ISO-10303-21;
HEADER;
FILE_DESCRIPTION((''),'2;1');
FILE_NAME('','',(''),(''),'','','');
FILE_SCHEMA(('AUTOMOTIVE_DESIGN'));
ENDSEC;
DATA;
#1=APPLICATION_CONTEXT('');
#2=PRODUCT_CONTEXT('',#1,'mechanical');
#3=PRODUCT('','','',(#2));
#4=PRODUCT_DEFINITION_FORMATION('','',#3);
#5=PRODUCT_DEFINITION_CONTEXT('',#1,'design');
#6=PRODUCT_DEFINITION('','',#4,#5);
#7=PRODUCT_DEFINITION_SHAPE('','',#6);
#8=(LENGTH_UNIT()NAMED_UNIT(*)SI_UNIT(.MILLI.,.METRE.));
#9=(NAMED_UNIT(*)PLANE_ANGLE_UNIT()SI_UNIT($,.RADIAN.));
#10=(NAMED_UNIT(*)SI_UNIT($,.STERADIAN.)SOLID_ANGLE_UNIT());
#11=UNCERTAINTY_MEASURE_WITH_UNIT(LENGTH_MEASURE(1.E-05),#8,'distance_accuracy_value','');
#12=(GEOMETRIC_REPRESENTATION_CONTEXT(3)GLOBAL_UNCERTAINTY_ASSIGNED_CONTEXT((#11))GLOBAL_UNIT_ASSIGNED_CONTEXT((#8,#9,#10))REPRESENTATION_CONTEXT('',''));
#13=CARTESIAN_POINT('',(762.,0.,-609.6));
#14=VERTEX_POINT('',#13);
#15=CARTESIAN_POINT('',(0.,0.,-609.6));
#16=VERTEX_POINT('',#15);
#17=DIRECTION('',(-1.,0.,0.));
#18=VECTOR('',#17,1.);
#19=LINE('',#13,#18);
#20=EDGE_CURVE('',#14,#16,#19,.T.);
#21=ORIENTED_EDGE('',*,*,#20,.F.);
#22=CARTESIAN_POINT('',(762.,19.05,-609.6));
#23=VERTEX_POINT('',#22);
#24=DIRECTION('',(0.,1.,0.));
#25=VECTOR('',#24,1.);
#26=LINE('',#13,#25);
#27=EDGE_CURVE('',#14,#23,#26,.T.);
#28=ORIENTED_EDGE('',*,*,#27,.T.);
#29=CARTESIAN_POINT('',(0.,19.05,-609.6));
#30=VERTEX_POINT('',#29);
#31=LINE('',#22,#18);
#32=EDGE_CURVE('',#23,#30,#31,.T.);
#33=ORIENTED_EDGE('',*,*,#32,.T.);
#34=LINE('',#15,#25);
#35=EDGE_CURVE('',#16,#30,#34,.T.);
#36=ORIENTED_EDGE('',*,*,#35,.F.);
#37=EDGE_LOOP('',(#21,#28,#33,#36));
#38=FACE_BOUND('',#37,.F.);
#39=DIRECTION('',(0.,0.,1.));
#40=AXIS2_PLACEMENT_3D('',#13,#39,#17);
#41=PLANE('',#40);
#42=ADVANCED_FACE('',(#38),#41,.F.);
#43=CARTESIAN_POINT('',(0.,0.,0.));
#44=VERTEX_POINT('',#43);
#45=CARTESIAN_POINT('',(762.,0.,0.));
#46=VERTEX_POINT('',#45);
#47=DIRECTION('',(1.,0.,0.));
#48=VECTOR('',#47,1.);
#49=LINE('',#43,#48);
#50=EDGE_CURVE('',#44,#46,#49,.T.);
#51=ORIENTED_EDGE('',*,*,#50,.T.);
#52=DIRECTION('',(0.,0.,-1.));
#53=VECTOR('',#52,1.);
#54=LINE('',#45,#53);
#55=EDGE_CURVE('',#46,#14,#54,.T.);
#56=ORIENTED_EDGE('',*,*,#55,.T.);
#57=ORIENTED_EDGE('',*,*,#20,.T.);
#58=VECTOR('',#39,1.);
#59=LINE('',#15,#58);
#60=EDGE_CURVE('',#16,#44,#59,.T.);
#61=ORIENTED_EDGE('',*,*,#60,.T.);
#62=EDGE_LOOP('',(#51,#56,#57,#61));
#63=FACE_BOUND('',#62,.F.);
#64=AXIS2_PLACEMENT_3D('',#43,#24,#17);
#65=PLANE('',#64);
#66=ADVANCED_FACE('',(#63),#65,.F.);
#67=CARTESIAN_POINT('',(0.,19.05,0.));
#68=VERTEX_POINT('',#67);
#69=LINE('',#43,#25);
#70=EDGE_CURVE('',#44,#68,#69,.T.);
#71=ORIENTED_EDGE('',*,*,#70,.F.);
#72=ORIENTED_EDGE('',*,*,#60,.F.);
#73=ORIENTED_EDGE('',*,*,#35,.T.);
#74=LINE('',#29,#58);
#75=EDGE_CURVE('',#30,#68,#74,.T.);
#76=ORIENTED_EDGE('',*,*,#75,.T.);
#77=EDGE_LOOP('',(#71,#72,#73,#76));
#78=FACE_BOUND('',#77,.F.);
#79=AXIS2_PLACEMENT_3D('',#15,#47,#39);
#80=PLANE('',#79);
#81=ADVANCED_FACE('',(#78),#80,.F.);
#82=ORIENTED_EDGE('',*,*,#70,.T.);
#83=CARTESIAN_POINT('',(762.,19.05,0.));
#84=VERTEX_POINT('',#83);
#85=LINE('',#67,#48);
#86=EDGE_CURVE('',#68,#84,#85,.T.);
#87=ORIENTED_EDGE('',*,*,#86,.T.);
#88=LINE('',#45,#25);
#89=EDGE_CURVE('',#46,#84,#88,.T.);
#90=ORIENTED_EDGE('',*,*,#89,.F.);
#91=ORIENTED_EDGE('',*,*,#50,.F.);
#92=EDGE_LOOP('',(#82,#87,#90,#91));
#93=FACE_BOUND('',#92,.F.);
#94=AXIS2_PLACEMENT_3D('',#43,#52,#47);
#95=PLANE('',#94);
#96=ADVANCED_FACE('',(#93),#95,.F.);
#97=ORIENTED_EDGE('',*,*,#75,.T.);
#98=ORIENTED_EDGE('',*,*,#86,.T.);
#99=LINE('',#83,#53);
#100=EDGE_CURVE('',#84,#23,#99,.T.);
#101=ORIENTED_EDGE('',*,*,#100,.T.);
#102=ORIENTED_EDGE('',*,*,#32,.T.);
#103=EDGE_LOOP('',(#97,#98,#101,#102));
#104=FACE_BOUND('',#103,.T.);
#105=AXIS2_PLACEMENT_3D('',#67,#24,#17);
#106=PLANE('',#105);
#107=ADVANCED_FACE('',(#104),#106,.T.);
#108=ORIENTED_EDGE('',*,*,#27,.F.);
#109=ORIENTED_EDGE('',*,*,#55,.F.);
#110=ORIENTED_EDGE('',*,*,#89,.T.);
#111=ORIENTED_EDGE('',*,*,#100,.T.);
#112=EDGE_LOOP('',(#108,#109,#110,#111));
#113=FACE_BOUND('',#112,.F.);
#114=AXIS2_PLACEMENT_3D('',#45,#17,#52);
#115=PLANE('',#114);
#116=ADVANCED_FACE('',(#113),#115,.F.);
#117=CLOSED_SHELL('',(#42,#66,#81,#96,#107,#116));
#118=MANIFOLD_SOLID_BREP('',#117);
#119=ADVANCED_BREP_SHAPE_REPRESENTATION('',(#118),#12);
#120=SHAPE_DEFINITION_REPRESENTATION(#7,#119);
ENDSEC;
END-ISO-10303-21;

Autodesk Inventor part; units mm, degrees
ref_plane "YZ Plane" through (0, 0, 0) normal (1, 0, 0) x (0, 1, 0)
ref_plane "XZ Plane" through (0, 0, 0) normal (0, 1, 0) x (-1, 0, 0)
ref_plane "XY Plane" through (0, 0, 0) normal (0, 0, 1) x (1, 0, 0)
sketch "Sketch1" plane through (0, 0, 0) normal (0, 1, 0) x (-1, 0, 0)
  line L0 (0, 0) -> (-762, 0)
  line L1 (-762, 0) -> (-762, -609.6)
  line L2 (-762, -609.6) -> (0, -609.6)
  line L3 (0, -609.6) -> (0, 0)
  dimension "d0" = 762
  dimension "d1" = 609.6
extrude "Extrusion1" add sketch "Sketch1" along normal blind 19.05
properties part number "Bed"
